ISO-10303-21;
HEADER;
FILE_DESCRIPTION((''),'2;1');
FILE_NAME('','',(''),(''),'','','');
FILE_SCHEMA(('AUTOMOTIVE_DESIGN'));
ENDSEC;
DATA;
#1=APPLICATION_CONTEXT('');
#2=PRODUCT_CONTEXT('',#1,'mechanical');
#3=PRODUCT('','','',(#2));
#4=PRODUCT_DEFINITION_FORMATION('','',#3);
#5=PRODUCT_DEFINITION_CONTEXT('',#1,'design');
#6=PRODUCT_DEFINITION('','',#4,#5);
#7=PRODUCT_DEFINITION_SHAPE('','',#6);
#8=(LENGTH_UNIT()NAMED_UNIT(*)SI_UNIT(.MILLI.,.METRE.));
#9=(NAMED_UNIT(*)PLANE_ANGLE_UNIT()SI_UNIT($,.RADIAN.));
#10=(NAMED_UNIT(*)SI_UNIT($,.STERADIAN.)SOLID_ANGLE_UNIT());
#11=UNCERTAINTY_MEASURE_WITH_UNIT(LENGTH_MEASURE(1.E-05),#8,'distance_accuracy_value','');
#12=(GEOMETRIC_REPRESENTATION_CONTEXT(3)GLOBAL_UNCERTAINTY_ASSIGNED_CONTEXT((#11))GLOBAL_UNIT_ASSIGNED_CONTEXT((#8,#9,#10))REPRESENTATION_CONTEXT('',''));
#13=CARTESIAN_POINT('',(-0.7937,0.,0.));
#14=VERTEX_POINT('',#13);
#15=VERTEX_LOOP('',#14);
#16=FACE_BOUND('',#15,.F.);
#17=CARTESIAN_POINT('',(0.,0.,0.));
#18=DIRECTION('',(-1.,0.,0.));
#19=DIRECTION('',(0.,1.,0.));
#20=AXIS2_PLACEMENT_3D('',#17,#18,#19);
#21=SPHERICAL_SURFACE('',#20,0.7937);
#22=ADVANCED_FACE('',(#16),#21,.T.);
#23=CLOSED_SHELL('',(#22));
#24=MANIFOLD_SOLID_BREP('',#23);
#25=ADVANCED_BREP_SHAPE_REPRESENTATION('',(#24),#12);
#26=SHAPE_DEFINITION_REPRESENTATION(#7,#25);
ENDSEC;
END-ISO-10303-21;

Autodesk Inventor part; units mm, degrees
sketch "Sketch_1" plane through (0, 0, 0) normal (0, 0, 1) x (1, 0, 0)
  line L0 (0.7937, 0) -> (-0.7937, 0)
  arc A0 (0.7937, 0) -> (-0.7937, 0) centre (0, 0) ccw
  line L1 (0.7937, 0) -> (-0.7937, 0)
revolve "Revolution1" add sketch "Sketch_1" angle 360 about axis through (0.7937, 0, 0) along (1, 0, 0)
ref_plane "1_XY" through (0, 0, 0) normal (0, 0, 1) x (1, 0, 0)
ref_plane "1_YZ" through (0, 0, 0) normal (1, 0, 0) x (0, 1, 0)
ref_plane "1_ZX" through (0, 0, 0) normal (0, 1, 0) x (0, 0, 1)
properties part number "A-1510_ball"
